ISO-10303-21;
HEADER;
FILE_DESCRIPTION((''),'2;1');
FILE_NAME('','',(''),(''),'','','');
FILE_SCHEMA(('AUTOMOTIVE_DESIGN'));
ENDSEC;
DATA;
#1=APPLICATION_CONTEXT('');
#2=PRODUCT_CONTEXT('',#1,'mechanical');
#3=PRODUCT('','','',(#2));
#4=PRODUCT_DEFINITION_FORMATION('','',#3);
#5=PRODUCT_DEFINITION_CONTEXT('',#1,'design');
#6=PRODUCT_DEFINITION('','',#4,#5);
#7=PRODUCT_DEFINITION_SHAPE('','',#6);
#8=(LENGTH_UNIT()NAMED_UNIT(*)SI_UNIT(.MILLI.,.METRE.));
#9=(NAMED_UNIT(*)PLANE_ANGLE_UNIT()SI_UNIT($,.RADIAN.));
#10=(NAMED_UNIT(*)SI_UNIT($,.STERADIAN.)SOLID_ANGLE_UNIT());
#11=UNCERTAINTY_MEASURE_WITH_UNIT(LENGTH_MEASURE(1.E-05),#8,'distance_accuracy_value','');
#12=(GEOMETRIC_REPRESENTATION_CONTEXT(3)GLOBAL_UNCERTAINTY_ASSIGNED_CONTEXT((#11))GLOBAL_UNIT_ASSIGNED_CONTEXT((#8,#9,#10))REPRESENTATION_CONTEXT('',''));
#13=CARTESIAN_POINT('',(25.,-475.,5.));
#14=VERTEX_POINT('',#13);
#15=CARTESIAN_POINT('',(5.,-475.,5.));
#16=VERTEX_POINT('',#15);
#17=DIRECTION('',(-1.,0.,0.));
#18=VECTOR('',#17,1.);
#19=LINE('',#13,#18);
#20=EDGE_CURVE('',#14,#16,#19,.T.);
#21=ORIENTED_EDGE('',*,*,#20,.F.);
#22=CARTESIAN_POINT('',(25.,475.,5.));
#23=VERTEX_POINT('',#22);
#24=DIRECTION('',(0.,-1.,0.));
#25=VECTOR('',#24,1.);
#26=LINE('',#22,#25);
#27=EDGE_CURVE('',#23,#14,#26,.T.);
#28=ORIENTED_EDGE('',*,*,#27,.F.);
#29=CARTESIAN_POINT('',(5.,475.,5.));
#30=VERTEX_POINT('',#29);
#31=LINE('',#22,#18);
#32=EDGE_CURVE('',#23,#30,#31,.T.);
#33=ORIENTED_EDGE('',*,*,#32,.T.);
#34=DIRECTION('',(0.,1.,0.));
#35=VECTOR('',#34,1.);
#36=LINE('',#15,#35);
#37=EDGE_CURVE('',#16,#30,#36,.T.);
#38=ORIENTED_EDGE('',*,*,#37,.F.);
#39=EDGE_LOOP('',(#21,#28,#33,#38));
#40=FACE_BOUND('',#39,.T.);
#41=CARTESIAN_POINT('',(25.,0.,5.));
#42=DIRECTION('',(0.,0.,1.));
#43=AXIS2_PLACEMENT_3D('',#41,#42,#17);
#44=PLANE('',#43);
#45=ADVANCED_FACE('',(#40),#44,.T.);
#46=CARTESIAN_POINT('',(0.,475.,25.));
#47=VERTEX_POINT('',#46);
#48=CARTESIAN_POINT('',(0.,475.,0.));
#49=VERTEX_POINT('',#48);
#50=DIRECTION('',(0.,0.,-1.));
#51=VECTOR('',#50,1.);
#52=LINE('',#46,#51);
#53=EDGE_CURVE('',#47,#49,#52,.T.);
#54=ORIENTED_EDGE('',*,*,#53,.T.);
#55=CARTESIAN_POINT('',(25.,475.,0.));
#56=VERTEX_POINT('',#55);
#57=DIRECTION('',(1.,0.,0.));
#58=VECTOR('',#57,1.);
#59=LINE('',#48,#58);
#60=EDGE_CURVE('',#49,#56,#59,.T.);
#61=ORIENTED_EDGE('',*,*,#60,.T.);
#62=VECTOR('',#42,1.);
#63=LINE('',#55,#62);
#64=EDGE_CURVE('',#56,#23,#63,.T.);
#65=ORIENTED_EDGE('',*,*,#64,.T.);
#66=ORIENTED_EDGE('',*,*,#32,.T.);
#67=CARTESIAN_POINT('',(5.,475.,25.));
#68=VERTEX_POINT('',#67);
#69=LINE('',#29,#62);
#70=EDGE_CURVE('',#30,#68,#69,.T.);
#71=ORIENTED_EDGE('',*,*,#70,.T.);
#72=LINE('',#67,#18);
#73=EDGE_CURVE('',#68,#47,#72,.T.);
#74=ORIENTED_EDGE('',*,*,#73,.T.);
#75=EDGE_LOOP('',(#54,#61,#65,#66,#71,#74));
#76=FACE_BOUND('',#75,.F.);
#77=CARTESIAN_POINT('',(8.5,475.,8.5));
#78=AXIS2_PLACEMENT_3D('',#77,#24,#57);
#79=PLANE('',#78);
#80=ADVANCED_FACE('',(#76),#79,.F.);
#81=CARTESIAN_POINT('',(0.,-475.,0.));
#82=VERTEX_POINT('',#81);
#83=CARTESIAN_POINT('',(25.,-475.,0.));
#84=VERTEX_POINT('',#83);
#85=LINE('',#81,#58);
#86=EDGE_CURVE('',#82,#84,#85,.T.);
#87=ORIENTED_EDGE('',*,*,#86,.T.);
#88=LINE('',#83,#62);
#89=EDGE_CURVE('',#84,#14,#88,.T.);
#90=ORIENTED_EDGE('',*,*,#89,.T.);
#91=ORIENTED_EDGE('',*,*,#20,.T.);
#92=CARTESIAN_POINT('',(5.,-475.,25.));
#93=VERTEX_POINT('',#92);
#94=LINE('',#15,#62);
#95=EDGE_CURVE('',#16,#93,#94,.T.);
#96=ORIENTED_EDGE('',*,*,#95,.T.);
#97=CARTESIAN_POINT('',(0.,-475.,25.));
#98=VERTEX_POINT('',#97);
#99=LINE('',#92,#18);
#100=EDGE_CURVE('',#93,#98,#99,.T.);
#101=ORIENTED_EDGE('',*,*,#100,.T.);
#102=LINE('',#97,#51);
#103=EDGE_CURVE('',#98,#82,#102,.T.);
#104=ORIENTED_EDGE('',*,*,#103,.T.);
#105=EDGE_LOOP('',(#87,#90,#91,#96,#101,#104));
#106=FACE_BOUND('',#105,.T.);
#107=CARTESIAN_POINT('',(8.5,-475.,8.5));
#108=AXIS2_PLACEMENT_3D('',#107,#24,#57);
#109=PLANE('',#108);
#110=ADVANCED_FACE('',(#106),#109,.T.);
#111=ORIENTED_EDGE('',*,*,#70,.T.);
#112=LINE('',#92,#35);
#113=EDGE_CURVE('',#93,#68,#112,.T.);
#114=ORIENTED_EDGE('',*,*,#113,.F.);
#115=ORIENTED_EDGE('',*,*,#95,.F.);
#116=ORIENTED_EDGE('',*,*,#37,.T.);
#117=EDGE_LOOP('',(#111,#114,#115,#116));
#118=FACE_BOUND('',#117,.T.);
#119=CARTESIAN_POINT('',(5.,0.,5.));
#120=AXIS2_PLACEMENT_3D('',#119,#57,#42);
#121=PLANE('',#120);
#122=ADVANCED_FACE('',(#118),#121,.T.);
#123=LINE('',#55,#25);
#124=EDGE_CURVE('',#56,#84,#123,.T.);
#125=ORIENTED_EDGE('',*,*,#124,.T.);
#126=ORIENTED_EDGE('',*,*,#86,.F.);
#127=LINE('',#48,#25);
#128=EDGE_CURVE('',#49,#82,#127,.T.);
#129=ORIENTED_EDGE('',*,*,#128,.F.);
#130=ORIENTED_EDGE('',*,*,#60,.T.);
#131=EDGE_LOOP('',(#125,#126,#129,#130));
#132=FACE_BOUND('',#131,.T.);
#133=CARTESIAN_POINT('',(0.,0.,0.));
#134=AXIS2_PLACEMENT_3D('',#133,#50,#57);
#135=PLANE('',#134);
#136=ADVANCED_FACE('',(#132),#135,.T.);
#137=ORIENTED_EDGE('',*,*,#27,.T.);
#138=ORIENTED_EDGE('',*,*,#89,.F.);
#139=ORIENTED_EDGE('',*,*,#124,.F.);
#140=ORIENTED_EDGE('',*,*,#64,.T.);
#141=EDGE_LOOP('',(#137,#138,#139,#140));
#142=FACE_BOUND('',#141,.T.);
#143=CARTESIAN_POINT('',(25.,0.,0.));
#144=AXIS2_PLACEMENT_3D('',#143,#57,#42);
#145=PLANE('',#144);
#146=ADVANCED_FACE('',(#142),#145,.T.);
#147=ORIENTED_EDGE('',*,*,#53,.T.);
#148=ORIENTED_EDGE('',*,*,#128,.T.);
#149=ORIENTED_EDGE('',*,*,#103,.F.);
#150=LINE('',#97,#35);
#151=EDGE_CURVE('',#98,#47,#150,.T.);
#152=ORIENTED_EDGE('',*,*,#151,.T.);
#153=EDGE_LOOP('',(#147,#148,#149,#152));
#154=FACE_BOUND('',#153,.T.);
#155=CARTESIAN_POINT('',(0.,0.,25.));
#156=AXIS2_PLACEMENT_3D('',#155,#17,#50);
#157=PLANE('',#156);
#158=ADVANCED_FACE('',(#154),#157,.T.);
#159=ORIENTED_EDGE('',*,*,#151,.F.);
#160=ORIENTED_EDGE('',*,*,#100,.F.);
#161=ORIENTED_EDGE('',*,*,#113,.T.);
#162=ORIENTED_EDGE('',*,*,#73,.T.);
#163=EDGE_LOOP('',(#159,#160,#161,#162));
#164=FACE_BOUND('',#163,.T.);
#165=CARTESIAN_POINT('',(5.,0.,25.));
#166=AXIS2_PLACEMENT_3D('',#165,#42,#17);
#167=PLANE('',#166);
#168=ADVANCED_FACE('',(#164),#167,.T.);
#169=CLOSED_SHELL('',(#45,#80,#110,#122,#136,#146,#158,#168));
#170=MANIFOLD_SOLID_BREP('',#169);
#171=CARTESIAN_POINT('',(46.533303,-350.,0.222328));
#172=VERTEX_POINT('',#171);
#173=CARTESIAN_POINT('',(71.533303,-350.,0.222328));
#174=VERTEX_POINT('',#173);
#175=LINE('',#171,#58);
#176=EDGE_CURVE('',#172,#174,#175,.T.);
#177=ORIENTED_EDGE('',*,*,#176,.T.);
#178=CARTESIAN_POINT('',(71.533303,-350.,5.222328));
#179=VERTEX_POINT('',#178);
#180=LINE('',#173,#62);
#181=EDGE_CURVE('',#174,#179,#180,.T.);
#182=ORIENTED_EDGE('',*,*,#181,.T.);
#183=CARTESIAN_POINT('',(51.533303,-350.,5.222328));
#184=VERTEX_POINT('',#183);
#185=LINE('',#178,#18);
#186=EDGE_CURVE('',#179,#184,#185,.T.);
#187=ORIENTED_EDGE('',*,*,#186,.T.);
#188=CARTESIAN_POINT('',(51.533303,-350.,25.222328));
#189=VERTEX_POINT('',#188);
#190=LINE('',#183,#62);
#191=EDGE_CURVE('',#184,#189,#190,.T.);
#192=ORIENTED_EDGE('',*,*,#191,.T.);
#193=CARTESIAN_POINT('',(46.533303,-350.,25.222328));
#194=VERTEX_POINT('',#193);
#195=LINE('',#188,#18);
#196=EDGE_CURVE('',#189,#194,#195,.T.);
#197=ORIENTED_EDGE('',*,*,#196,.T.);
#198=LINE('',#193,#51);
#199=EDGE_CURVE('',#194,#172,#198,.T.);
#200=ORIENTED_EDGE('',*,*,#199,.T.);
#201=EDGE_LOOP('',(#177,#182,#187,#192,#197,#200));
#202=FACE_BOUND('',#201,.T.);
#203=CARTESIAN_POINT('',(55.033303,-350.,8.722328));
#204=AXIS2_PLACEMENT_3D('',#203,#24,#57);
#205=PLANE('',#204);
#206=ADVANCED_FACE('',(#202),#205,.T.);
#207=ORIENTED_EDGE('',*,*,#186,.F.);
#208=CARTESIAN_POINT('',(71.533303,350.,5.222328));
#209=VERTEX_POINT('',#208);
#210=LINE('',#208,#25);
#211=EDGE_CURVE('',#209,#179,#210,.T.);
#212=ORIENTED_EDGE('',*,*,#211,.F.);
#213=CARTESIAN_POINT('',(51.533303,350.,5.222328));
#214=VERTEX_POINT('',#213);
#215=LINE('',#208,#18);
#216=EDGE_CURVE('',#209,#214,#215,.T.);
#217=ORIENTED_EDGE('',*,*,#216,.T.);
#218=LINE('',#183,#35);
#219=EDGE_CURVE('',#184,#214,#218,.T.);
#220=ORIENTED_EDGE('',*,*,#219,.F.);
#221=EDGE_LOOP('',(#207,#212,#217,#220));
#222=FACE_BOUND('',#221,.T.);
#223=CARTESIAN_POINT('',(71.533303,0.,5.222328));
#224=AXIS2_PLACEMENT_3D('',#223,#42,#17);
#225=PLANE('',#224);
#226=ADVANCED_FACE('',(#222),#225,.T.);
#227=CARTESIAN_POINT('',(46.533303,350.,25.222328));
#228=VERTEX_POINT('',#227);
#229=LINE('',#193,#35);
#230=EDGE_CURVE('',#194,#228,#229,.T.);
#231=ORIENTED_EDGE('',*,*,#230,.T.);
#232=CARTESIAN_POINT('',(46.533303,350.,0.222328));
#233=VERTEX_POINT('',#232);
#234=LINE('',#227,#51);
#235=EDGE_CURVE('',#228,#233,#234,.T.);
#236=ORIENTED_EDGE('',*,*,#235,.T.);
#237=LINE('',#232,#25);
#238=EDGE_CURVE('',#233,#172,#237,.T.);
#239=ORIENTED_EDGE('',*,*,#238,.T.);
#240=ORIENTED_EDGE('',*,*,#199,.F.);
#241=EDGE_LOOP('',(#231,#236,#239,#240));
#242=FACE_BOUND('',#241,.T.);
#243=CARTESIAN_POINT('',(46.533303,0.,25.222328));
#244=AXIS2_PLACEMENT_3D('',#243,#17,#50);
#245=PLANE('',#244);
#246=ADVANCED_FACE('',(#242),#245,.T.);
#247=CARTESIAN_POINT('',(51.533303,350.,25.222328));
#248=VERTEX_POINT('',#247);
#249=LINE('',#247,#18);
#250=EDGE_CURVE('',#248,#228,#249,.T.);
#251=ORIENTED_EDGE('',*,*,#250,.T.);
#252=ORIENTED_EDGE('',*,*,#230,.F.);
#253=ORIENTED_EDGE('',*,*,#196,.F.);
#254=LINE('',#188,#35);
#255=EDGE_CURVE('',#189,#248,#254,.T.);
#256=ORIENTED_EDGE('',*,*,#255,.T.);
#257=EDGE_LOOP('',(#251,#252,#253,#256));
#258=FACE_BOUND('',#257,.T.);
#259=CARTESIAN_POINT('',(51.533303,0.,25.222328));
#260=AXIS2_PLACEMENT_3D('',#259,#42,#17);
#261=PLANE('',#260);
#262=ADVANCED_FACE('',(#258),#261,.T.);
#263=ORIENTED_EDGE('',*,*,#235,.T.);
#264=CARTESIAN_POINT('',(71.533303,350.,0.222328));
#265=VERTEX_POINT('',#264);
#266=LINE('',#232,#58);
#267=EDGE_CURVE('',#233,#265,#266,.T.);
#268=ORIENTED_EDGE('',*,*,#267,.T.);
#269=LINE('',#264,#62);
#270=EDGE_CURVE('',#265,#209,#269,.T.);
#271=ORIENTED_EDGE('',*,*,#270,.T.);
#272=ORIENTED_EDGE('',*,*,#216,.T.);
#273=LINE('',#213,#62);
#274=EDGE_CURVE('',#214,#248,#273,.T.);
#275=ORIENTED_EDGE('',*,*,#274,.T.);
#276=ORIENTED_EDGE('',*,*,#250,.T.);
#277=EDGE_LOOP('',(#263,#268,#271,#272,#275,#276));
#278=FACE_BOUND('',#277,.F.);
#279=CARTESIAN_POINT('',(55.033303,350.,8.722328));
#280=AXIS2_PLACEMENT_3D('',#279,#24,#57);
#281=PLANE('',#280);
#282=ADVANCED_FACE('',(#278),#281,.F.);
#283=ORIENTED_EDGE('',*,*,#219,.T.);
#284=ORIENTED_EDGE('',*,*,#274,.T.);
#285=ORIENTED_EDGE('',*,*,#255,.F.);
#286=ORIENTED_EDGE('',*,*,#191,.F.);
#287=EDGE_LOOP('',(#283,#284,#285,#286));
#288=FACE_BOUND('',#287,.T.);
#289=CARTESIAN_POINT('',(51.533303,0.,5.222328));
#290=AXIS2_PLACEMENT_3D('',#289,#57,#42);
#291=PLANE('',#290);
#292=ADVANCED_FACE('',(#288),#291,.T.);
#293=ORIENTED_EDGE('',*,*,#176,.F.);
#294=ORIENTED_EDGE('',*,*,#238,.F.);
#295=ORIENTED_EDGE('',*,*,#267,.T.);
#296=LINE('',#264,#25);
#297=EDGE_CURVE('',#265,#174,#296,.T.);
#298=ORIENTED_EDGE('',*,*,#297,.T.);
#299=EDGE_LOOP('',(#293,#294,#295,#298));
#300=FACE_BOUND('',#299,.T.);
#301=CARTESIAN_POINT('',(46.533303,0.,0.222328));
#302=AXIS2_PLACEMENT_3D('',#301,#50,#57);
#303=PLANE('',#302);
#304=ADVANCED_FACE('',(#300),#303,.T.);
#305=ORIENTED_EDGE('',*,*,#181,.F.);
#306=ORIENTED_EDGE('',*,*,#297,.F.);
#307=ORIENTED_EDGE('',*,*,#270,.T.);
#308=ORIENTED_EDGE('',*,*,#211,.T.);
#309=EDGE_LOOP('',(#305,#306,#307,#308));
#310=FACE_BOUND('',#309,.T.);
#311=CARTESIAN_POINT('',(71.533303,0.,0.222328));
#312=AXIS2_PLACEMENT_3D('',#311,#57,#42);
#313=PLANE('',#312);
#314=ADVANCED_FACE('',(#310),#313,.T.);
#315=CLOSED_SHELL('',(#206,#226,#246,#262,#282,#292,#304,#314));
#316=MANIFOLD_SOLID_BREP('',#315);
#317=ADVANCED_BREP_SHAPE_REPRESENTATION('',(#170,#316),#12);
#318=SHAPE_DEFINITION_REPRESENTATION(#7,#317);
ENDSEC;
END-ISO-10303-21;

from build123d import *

# Parameters (mm, degrees)
F1_DEPTH = 475
F3_DEPTH = 350


with BuildPart() as f1:
    # F0 (on Front) → F1 (new body, symmetric)
    with BuildSketch(Plane.XZ):
        Polygon((0, 25), (0, 0), (25, 0), (25, 5), (5, 5), (5, 25), align=None)
    extrude(amount=F1_DEPTH, both=True)


with BuildPart() as f3:
    # F2 (on Front) → F3 (new body, symmetric)
    with BuildSketch(Plane.XZ):
        Polygon((46.533303, 25.222328), (46.533303, 0.222328), (71.533303, 0.222328), (71.533303, 5.222328), (51.533303, 5.222328), (51.533303, 25.222328), align=None)
    extrude(amount=F3_DEPTH, both=True)


solid = Compound([f1.part, f3.part])
